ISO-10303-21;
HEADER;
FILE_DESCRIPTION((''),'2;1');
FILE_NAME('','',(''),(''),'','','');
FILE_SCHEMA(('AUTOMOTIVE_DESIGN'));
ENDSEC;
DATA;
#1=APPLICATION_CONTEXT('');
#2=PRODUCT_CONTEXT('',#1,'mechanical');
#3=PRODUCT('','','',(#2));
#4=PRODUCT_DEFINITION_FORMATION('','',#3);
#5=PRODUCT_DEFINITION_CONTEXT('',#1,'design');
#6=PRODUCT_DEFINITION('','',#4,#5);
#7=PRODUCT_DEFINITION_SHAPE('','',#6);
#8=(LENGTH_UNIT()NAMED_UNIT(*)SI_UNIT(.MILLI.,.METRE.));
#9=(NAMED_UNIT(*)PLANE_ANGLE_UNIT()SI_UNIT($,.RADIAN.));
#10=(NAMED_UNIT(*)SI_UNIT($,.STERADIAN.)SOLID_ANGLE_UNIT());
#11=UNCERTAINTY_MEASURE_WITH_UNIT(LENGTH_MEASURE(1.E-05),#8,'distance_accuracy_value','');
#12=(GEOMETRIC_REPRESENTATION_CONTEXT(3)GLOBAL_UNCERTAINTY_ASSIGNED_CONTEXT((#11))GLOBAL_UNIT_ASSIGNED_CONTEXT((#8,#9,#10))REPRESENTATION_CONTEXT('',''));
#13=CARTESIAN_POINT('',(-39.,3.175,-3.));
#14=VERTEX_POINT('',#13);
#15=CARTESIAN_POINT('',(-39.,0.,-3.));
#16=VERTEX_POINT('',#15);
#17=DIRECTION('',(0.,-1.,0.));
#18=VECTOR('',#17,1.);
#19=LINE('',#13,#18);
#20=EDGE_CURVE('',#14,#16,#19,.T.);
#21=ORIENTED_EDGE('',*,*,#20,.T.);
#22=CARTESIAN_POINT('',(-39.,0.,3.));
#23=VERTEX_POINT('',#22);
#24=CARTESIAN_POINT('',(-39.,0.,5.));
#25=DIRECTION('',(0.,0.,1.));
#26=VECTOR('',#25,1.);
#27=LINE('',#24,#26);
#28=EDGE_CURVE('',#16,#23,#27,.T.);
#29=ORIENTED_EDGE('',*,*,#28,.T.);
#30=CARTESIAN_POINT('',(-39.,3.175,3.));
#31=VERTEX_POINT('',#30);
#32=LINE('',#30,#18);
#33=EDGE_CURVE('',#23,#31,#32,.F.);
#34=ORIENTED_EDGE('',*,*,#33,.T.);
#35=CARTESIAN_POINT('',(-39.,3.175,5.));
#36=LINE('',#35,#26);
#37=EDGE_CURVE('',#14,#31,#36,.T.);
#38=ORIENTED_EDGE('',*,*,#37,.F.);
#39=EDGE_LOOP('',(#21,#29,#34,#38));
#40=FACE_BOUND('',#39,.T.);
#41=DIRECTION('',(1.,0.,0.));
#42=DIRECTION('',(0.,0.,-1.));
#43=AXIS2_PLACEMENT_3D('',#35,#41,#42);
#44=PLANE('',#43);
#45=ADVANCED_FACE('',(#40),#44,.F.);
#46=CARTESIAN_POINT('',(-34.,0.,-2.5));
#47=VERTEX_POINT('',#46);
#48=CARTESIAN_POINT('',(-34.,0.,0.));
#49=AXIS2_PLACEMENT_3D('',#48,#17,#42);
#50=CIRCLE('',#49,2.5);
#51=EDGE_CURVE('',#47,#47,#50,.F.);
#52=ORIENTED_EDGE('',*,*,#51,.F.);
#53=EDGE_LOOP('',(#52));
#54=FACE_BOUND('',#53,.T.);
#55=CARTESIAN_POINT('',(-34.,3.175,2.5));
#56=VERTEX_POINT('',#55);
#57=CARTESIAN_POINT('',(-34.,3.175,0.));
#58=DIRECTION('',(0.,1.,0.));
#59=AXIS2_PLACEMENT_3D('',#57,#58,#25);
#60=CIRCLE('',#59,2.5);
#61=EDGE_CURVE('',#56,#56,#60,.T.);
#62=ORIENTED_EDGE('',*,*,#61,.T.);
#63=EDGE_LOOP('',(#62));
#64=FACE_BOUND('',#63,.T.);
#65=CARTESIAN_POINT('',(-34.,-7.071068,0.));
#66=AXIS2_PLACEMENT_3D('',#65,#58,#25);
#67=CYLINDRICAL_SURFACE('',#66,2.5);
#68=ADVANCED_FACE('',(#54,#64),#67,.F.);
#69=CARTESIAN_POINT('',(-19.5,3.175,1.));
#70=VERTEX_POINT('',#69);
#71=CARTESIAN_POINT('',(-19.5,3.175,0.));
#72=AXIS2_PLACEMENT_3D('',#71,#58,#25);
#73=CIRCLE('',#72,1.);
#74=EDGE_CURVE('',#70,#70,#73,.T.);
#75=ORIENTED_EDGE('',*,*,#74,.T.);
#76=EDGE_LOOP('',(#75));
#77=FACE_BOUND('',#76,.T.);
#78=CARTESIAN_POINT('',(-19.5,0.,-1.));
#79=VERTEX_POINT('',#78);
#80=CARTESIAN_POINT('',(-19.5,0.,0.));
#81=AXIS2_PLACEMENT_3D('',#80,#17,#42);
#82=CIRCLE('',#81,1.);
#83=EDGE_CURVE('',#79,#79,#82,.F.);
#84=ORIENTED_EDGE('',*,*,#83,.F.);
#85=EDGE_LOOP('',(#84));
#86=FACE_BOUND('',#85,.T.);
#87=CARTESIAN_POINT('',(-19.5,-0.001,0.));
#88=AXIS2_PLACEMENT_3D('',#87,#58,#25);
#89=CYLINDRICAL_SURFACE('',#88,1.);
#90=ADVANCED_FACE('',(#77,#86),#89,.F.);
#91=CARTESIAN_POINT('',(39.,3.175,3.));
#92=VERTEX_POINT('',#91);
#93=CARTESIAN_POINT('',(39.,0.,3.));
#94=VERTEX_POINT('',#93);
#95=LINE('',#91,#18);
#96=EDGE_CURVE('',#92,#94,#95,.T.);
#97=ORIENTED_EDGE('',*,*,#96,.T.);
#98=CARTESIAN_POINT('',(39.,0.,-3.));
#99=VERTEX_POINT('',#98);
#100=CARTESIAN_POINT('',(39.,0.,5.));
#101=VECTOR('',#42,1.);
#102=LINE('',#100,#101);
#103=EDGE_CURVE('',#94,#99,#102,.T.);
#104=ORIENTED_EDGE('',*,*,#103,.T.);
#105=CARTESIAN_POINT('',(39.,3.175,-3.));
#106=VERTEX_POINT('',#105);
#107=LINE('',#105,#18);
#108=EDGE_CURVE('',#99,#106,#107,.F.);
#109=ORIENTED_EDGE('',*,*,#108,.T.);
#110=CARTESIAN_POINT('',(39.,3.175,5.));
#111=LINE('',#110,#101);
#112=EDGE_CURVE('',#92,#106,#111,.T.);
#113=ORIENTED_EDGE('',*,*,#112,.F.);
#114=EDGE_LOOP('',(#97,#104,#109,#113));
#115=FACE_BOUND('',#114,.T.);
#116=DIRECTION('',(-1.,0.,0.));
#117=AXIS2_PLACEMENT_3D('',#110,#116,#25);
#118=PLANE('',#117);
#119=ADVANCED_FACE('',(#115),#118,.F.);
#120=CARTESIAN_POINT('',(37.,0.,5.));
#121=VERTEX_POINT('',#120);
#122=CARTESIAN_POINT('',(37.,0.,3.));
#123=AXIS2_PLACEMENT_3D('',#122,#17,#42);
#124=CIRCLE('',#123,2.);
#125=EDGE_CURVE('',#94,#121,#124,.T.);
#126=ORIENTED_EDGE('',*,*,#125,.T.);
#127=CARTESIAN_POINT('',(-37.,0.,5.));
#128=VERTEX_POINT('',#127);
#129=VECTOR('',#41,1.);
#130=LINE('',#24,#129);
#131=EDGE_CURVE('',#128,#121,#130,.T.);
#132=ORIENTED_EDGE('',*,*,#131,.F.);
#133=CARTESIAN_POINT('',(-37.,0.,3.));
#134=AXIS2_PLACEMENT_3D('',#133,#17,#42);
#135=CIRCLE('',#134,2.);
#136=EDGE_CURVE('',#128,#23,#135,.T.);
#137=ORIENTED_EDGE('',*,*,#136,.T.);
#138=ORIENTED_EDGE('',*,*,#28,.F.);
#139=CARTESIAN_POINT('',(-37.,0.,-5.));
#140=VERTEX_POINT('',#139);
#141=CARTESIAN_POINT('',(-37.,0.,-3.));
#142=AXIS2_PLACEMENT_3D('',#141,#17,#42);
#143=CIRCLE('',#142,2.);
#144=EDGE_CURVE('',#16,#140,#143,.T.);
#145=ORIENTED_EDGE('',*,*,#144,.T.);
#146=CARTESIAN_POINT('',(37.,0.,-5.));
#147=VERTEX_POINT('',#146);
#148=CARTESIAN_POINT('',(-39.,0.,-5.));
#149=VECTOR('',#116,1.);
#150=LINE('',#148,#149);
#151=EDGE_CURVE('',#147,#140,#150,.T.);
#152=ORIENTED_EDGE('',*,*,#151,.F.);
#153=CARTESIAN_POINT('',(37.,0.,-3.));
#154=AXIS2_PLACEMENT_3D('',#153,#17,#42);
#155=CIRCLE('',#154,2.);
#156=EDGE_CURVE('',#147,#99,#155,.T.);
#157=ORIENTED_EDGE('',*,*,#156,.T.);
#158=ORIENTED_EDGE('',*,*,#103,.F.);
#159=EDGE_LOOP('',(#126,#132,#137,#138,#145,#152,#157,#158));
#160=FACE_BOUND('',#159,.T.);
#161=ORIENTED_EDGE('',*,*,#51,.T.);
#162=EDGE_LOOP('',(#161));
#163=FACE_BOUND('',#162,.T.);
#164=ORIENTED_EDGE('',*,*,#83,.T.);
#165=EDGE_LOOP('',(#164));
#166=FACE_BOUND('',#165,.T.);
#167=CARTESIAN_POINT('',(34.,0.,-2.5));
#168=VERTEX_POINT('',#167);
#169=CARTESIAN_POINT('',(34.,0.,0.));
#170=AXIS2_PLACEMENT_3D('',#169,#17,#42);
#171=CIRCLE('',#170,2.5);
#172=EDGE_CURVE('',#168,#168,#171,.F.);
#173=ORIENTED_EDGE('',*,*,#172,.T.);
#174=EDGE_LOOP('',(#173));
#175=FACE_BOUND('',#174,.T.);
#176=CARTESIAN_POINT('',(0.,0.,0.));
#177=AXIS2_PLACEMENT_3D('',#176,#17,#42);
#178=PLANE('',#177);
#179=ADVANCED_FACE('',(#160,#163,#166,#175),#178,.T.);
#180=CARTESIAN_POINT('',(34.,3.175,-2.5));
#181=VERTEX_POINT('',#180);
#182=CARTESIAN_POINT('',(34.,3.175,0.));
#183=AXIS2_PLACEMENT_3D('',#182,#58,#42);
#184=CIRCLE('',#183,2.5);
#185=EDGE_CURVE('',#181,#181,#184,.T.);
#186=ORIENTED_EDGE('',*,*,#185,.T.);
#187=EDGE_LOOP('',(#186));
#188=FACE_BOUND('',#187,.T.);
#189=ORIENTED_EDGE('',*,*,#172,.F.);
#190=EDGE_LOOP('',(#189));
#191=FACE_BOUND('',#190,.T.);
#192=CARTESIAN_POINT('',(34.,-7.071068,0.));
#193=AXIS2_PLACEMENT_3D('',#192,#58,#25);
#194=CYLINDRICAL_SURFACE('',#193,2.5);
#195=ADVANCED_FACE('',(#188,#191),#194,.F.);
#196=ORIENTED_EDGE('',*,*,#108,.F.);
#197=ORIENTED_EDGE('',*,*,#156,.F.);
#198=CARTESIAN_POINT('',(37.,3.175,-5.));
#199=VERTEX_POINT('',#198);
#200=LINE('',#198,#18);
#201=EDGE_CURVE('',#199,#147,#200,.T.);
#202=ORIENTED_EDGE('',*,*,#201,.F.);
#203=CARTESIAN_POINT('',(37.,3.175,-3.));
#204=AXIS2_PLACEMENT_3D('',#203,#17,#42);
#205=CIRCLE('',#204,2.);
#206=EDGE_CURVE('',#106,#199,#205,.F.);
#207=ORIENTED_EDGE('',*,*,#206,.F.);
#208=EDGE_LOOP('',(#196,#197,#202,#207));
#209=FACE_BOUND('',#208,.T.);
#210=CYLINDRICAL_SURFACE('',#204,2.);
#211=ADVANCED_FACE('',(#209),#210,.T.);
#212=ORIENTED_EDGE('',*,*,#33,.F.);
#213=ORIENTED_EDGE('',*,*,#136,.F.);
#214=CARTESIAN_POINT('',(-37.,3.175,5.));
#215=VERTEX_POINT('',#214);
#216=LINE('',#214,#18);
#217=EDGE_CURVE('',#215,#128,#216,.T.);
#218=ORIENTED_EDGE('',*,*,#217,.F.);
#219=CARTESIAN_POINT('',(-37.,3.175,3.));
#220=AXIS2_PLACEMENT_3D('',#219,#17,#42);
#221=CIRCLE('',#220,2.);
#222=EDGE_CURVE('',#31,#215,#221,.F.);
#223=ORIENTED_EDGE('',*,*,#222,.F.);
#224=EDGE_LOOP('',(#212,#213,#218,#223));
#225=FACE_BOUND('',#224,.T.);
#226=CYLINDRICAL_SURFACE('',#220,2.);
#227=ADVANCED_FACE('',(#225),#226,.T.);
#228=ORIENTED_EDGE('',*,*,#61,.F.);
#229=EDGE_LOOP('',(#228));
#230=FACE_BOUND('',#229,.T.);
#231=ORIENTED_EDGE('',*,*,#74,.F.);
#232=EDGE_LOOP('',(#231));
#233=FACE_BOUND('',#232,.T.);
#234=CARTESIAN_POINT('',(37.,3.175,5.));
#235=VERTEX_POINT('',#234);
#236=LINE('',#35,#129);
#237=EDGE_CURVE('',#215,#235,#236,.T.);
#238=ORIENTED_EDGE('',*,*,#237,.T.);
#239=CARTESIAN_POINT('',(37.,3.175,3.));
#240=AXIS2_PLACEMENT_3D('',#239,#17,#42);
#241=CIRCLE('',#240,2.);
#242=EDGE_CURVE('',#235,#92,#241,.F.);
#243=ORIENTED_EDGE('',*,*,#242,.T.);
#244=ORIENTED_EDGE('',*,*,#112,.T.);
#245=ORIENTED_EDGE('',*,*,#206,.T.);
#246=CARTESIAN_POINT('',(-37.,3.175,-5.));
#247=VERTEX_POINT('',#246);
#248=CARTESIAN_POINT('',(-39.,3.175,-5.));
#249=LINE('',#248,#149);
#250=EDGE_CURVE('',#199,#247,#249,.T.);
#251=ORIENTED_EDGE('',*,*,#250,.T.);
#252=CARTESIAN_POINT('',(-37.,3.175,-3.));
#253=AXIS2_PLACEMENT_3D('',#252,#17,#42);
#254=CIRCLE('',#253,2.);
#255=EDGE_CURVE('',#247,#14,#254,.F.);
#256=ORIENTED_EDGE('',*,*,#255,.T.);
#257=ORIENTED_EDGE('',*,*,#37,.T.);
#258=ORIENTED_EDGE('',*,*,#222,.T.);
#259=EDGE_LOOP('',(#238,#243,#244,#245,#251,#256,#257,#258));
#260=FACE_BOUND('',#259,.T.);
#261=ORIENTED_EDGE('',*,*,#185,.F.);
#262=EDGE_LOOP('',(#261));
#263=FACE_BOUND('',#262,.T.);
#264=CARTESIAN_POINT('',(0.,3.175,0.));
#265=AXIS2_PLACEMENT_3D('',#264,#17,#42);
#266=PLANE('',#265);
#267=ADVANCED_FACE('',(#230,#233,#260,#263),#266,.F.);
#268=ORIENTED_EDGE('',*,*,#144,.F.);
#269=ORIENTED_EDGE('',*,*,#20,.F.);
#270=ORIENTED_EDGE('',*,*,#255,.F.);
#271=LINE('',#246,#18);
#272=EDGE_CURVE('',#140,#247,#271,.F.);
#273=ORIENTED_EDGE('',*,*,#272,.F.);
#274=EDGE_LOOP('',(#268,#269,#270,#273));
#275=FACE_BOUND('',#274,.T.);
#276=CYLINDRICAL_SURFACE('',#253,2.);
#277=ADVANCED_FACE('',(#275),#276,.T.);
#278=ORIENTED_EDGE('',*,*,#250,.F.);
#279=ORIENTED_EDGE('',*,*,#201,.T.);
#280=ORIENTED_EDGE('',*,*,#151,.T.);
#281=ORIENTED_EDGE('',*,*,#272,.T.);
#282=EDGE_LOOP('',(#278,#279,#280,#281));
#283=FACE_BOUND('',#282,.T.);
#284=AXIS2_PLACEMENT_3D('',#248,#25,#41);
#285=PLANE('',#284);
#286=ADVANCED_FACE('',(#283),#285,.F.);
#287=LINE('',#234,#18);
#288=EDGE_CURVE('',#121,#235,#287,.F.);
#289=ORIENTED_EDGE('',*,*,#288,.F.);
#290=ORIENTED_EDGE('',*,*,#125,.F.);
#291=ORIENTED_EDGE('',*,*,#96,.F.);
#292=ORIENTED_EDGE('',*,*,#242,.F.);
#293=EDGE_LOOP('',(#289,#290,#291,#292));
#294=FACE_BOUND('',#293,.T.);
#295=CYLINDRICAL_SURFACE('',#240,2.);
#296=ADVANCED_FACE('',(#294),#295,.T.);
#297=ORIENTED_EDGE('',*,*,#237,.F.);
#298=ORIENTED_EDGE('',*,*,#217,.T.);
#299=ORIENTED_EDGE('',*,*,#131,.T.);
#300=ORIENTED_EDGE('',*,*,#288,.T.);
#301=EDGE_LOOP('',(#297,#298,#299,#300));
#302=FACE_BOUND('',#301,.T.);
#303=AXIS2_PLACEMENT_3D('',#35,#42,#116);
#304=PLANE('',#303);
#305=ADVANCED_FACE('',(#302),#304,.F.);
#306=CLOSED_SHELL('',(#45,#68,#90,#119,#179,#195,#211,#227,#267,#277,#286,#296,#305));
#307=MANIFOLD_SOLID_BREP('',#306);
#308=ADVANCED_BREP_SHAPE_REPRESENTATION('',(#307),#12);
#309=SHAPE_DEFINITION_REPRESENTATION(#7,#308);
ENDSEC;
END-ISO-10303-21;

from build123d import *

# Parameters (mm, degrees)
SKETCH2_W           = 78
SKETCH2_H           = 10
BOSS_EXTRUDE1_DEPTH = 3.175
SKETCH3_R           = 2.5
CUT_EXTRUDE1_DEPTH  = 3.175
CUT_EXTRUDE2_REACH  = 41.447
SKETCH4_R           = 1
FILLET1_R           = 2


with BuildPart() as part:
    # Sketch2 → Boss-Extrude1 (new body)
    with BuildSketch(Plane(origin=(0, 0, 0), x_dir=(1, 0, 0), z_dir=(0, 1, 0))):
        Rectangle(SKETCH2_W, SKETCH2_H)
    extrude(amount=BOSS_EXTRUDE1_DEPTH)

    # Sketch3 → Cut-Extrude1 (cut)
    with BuildSketch(Plane(origin=(0, 3.175, 0), x_dir=(1, 0, 0), z_dir=(0, 1, 0))):
        with Locations(Location((-34, 0, 0), (0, 0, 270))):
            Circle(SKETCH3_R)
        with Locations(Location((34, 0, 0), (0, 0, 90))):
            Circle(SKETCH3_R)
    extrude(amount=-CUT_EXTRUDE1_DEPTH, mode=Mode.SUBTRACT)

    # Sketch4 → Cut-Extrude2 (cut, up to next)
    with BuildSketch(Plane(origin=(0, 3.175, 0), x_dir=(1, 0, 0), z_dir=(0, 1, 0)), mode=Mode.PRIVATE) as cut_extrude2_sk1:
        with Locations(Location((-19.5, 0, 0), (0, 0, 270))):
            Circle(SKETCH4_R)
    cut_extrude2_tool1 = extrude(cut_extrude2_sk1.sketch, amount=-CUT_EXTRUDE2_REACH, mode=Mode.PRIVATE) & part.part
    add(cut_extrude2_tool1.solids().sort_by_distance((-19.5, 3.175, 0))[0], mode=Mode.SUBTRACT)

    # Fillet1
    fillet1_edges = [part.edges().sort_by_distance(p)[0] for p in [
        (39, 1.5875, 5),
        (-39, 1.5875, 5),
        (-39, 1.5875, -5),
        (39, 1.5875, -5),
    ]]
    fillet(fillet1_edges, radius=FILLET1_R)


solid = part.part
